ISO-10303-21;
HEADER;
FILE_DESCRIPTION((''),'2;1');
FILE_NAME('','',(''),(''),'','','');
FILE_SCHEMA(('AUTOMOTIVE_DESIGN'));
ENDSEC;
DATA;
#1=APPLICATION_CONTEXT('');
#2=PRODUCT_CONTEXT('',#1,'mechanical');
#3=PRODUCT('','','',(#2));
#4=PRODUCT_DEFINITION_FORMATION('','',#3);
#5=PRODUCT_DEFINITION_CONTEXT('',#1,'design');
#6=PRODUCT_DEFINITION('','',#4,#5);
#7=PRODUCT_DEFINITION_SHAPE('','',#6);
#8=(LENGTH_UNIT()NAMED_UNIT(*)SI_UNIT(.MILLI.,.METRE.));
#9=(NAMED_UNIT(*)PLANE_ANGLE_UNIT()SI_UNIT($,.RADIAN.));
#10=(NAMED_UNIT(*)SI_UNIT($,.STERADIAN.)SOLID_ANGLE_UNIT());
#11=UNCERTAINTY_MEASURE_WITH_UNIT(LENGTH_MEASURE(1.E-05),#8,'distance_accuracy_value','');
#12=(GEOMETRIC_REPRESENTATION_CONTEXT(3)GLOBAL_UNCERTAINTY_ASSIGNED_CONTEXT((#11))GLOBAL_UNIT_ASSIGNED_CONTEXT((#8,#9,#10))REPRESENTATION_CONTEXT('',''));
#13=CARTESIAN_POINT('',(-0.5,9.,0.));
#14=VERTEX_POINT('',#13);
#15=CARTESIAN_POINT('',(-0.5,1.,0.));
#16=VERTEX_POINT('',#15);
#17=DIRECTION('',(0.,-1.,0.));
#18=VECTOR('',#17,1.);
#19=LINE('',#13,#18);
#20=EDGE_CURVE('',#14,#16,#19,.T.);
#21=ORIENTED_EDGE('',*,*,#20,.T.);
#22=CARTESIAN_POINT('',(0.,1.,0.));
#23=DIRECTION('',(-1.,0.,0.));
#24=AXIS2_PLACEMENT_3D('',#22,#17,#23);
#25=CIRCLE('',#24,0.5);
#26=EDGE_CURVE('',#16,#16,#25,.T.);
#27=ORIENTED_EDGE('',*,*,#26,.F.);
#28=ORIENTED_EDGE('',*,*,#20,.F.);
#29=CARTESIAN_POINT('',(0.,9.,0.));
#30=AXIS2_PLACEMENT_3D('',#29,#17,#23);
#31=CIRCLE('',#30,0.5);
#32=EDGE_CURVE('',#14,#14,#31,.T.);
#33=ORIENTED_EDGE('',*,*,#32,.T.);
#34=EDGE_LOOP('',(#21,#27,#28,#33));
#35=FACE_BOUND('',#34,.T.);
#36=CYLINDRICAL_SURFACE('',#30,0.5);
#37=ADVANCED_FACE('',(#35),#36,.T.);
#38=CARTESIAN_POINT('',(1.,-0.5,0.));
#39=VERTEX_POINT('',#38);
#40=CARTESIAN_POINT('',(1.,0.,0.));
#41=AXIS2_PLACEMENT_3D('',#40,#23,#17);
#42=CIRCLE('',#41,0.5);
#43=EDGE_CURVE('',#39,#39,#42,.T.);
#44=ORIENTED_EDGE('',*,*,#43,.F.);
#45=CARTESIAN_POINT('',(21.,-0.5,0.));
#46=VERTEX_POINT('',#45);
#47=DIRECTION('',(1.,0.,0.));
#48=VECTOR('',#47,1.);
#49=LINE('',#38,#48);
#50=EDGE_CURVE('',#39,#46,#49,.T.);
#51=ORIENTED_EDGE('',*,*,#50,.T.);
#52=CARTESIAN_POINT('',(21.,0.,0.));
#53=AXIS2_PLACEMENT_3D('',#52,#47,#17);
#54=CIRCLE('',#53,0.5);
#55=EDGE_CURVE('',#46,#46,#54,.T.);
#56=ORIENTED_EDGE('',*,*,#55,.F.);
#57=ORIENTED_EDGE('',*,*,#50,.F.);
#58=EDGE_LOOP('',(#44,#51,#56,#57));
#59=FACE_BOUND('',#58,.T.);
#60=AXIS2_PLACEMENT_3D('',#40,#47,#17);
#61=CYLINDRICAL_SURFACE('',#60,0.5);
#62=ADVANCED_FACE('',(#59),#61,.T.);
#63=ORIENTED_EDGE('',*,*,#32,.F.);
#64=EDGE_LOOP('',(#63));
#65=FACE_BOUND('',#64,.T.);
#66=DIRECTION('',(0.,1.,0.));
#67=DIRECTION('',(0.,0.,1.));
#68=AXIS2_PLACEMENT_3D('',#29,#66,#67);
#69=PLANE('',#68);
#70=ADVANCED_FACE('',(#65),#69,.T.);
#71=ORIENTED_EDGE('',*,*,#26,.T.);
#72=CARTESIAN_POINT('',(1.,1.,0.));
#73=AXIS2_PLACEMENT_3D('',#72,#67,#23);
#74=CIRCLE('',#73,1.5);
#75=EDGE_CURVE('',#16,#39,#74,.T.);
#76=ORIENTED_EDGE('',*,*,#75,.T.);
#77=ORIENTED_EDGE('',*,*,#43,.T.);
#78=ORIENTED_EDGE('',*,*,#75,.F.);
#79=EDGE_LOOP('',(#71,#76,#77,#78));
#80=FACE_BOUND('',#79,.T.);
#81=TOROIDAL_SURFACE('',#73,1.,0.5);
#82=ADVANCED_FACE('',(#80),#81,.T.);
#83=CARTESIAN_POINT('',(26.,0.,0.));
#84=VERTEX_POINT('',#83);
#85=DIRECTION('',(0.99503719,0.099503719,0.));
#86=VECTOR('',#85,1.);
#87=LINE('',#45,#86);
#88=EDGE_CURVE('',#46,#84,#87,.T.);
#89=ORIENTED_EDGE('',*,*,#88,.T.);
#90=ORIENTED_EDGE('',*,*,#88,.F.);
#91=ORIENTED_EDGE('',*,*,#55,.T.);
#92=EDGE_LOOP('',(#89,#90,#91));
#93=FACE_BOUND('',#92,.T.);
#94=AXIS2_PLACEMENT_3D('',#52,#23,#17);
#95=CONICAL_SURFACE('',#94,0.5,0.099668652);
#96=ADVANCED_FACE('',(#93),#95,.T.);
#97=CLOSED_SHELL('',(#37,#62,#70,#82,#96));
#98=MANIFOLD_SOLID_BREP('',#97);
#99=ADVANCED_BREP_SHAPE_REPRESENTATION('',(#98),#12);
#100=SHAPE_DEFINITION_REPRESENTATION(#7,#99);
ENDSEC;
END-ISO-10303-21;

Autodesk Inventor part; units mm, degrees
ref_plane "YZ-Ebene" through (0, 0, 0) normal (1, 0, 0) x (0, 1, 0)
ref_plane "XY-Ebene" through (0, 0, 0) normal (0, 0, 1) x (1, 0, 0)
sketch "Skizze1" plane through (0, 0, 0) normal (0, 0, 1) x (1, 0, 0)
  line L0 (-5.4485, 0) -> (31.2414, 0) projected
  line L1 (0, -2.0485) -> (0, 10.8414) projected
  line L2 (0, 9) -> (0, 1)
  arc A0 (0, 1) -> (1, 0) centre (1, 1) ccw
  line L3 (1, 0) -> (26, 0)
  point P0 (0, 0)
  dimension "d0" = 8
  dimension "d1" = 25
  dimension "d2" = 0
  dimension "d3" = 1
ref_plane "Arbeitsebene1" through (0, 9, 0) normal (0, 1, 0) x (-1, 0, 0)
sketch "Skizze2" plane through (0, 9, 0) normal (0, 1, 0) x (-1, 0, 0)
  circle A0 centre (0, 0) radius 0.5
  point P0 (0, 0)
  dimension "d4" = 1
sweep "Sweeping1" add profiles "Skizze2" path "Skizze1" path curves L2 A0 L3
sketch "Skizze3" plane through (0, 0, 0) normal (0, 0, 1) x (1, 0, 0)
  line L0 (1, 0.5) -> (26, 0.5) projected
  line L1 (1, -0.5) -> (26, -0.5) projected
  line L2 (26, -0.5) -> (26, 0.5) projected
  line L3 (21, 0.5) -> (26, 0)
  line L4 (21, -0.5) -> (26, 0)
  line L5 (-5.2, 0) -> (31.2, 0) projected
  point P0 (0, 0)
  dimension "d7" = 5
  dimension "d8" = 5
revolve "Umdrehung1" cut sketch "Skizze3" angle 360 about axis through (-10, 0, 0) along (1, 0, 0)
properties part number "Düsennadel_ra8846s"
